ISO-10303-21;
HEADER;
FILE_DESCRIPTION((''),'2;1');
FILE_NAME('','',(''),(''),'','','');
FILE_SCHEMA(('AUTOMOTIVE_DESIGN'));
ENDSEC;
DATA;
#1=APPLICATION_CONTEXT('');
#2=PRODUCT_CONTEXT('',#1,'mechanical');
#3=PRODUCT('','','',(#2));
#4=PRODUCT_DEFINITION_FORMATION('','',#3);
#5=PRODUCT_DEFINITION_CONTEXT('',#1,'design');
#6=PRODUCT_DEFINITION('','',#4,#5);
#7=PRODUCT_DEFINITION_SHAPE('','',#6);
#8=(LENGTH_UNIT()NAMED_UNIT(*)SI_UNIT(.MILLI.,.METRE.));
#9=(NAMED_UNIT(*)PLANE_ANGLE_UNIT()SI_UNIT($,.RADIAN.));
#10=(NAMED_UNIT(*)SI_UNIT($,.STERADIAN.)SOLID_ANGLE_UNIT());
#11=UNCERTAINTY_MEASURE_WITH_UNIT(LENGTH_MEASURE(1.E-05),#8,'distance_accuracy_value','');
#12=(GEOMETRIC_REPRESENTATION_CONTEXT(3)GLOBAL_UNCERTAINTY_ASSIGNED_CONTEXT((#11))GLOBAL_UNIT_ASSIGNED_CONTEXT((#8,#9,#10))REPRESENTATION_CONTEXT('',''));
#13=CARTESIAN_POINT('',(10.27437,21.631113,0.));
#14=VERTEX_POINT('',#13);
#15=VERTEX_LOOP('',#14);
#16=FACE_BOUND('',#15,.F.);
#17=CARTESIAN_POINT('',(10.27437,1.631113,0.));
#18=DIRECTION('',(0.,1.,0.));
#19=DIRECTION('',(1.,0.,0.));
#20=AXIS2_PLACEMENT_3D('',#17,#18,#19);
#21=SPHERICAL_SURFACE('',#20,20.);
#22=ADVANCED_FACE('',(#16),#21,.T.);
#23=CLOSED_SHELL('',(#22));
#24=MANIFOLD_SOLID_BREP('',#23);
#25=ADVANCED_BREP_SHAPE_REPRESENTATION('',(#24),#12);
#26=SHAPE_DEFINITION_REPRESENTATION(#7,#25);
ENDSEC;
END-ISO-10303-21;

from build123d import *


with BuildPart() as part:
    # Esquisse1 → Révolution1 (revolve)
    with BuildSketch(Plane.XY):
        with BuildLine():
            Line((10.274369758, 21.631113007), (10.274369758, -18.368886993))
            ThreePointArc((10.274369758, -18.368886993), (30.274369758, 1.631113007), (10.274369758, 21.631113007))
        make_face()
    revolve(axis=Axis((10.274369758, 1.631113007, 0), (0, -1, 0)))


solid = part.part
